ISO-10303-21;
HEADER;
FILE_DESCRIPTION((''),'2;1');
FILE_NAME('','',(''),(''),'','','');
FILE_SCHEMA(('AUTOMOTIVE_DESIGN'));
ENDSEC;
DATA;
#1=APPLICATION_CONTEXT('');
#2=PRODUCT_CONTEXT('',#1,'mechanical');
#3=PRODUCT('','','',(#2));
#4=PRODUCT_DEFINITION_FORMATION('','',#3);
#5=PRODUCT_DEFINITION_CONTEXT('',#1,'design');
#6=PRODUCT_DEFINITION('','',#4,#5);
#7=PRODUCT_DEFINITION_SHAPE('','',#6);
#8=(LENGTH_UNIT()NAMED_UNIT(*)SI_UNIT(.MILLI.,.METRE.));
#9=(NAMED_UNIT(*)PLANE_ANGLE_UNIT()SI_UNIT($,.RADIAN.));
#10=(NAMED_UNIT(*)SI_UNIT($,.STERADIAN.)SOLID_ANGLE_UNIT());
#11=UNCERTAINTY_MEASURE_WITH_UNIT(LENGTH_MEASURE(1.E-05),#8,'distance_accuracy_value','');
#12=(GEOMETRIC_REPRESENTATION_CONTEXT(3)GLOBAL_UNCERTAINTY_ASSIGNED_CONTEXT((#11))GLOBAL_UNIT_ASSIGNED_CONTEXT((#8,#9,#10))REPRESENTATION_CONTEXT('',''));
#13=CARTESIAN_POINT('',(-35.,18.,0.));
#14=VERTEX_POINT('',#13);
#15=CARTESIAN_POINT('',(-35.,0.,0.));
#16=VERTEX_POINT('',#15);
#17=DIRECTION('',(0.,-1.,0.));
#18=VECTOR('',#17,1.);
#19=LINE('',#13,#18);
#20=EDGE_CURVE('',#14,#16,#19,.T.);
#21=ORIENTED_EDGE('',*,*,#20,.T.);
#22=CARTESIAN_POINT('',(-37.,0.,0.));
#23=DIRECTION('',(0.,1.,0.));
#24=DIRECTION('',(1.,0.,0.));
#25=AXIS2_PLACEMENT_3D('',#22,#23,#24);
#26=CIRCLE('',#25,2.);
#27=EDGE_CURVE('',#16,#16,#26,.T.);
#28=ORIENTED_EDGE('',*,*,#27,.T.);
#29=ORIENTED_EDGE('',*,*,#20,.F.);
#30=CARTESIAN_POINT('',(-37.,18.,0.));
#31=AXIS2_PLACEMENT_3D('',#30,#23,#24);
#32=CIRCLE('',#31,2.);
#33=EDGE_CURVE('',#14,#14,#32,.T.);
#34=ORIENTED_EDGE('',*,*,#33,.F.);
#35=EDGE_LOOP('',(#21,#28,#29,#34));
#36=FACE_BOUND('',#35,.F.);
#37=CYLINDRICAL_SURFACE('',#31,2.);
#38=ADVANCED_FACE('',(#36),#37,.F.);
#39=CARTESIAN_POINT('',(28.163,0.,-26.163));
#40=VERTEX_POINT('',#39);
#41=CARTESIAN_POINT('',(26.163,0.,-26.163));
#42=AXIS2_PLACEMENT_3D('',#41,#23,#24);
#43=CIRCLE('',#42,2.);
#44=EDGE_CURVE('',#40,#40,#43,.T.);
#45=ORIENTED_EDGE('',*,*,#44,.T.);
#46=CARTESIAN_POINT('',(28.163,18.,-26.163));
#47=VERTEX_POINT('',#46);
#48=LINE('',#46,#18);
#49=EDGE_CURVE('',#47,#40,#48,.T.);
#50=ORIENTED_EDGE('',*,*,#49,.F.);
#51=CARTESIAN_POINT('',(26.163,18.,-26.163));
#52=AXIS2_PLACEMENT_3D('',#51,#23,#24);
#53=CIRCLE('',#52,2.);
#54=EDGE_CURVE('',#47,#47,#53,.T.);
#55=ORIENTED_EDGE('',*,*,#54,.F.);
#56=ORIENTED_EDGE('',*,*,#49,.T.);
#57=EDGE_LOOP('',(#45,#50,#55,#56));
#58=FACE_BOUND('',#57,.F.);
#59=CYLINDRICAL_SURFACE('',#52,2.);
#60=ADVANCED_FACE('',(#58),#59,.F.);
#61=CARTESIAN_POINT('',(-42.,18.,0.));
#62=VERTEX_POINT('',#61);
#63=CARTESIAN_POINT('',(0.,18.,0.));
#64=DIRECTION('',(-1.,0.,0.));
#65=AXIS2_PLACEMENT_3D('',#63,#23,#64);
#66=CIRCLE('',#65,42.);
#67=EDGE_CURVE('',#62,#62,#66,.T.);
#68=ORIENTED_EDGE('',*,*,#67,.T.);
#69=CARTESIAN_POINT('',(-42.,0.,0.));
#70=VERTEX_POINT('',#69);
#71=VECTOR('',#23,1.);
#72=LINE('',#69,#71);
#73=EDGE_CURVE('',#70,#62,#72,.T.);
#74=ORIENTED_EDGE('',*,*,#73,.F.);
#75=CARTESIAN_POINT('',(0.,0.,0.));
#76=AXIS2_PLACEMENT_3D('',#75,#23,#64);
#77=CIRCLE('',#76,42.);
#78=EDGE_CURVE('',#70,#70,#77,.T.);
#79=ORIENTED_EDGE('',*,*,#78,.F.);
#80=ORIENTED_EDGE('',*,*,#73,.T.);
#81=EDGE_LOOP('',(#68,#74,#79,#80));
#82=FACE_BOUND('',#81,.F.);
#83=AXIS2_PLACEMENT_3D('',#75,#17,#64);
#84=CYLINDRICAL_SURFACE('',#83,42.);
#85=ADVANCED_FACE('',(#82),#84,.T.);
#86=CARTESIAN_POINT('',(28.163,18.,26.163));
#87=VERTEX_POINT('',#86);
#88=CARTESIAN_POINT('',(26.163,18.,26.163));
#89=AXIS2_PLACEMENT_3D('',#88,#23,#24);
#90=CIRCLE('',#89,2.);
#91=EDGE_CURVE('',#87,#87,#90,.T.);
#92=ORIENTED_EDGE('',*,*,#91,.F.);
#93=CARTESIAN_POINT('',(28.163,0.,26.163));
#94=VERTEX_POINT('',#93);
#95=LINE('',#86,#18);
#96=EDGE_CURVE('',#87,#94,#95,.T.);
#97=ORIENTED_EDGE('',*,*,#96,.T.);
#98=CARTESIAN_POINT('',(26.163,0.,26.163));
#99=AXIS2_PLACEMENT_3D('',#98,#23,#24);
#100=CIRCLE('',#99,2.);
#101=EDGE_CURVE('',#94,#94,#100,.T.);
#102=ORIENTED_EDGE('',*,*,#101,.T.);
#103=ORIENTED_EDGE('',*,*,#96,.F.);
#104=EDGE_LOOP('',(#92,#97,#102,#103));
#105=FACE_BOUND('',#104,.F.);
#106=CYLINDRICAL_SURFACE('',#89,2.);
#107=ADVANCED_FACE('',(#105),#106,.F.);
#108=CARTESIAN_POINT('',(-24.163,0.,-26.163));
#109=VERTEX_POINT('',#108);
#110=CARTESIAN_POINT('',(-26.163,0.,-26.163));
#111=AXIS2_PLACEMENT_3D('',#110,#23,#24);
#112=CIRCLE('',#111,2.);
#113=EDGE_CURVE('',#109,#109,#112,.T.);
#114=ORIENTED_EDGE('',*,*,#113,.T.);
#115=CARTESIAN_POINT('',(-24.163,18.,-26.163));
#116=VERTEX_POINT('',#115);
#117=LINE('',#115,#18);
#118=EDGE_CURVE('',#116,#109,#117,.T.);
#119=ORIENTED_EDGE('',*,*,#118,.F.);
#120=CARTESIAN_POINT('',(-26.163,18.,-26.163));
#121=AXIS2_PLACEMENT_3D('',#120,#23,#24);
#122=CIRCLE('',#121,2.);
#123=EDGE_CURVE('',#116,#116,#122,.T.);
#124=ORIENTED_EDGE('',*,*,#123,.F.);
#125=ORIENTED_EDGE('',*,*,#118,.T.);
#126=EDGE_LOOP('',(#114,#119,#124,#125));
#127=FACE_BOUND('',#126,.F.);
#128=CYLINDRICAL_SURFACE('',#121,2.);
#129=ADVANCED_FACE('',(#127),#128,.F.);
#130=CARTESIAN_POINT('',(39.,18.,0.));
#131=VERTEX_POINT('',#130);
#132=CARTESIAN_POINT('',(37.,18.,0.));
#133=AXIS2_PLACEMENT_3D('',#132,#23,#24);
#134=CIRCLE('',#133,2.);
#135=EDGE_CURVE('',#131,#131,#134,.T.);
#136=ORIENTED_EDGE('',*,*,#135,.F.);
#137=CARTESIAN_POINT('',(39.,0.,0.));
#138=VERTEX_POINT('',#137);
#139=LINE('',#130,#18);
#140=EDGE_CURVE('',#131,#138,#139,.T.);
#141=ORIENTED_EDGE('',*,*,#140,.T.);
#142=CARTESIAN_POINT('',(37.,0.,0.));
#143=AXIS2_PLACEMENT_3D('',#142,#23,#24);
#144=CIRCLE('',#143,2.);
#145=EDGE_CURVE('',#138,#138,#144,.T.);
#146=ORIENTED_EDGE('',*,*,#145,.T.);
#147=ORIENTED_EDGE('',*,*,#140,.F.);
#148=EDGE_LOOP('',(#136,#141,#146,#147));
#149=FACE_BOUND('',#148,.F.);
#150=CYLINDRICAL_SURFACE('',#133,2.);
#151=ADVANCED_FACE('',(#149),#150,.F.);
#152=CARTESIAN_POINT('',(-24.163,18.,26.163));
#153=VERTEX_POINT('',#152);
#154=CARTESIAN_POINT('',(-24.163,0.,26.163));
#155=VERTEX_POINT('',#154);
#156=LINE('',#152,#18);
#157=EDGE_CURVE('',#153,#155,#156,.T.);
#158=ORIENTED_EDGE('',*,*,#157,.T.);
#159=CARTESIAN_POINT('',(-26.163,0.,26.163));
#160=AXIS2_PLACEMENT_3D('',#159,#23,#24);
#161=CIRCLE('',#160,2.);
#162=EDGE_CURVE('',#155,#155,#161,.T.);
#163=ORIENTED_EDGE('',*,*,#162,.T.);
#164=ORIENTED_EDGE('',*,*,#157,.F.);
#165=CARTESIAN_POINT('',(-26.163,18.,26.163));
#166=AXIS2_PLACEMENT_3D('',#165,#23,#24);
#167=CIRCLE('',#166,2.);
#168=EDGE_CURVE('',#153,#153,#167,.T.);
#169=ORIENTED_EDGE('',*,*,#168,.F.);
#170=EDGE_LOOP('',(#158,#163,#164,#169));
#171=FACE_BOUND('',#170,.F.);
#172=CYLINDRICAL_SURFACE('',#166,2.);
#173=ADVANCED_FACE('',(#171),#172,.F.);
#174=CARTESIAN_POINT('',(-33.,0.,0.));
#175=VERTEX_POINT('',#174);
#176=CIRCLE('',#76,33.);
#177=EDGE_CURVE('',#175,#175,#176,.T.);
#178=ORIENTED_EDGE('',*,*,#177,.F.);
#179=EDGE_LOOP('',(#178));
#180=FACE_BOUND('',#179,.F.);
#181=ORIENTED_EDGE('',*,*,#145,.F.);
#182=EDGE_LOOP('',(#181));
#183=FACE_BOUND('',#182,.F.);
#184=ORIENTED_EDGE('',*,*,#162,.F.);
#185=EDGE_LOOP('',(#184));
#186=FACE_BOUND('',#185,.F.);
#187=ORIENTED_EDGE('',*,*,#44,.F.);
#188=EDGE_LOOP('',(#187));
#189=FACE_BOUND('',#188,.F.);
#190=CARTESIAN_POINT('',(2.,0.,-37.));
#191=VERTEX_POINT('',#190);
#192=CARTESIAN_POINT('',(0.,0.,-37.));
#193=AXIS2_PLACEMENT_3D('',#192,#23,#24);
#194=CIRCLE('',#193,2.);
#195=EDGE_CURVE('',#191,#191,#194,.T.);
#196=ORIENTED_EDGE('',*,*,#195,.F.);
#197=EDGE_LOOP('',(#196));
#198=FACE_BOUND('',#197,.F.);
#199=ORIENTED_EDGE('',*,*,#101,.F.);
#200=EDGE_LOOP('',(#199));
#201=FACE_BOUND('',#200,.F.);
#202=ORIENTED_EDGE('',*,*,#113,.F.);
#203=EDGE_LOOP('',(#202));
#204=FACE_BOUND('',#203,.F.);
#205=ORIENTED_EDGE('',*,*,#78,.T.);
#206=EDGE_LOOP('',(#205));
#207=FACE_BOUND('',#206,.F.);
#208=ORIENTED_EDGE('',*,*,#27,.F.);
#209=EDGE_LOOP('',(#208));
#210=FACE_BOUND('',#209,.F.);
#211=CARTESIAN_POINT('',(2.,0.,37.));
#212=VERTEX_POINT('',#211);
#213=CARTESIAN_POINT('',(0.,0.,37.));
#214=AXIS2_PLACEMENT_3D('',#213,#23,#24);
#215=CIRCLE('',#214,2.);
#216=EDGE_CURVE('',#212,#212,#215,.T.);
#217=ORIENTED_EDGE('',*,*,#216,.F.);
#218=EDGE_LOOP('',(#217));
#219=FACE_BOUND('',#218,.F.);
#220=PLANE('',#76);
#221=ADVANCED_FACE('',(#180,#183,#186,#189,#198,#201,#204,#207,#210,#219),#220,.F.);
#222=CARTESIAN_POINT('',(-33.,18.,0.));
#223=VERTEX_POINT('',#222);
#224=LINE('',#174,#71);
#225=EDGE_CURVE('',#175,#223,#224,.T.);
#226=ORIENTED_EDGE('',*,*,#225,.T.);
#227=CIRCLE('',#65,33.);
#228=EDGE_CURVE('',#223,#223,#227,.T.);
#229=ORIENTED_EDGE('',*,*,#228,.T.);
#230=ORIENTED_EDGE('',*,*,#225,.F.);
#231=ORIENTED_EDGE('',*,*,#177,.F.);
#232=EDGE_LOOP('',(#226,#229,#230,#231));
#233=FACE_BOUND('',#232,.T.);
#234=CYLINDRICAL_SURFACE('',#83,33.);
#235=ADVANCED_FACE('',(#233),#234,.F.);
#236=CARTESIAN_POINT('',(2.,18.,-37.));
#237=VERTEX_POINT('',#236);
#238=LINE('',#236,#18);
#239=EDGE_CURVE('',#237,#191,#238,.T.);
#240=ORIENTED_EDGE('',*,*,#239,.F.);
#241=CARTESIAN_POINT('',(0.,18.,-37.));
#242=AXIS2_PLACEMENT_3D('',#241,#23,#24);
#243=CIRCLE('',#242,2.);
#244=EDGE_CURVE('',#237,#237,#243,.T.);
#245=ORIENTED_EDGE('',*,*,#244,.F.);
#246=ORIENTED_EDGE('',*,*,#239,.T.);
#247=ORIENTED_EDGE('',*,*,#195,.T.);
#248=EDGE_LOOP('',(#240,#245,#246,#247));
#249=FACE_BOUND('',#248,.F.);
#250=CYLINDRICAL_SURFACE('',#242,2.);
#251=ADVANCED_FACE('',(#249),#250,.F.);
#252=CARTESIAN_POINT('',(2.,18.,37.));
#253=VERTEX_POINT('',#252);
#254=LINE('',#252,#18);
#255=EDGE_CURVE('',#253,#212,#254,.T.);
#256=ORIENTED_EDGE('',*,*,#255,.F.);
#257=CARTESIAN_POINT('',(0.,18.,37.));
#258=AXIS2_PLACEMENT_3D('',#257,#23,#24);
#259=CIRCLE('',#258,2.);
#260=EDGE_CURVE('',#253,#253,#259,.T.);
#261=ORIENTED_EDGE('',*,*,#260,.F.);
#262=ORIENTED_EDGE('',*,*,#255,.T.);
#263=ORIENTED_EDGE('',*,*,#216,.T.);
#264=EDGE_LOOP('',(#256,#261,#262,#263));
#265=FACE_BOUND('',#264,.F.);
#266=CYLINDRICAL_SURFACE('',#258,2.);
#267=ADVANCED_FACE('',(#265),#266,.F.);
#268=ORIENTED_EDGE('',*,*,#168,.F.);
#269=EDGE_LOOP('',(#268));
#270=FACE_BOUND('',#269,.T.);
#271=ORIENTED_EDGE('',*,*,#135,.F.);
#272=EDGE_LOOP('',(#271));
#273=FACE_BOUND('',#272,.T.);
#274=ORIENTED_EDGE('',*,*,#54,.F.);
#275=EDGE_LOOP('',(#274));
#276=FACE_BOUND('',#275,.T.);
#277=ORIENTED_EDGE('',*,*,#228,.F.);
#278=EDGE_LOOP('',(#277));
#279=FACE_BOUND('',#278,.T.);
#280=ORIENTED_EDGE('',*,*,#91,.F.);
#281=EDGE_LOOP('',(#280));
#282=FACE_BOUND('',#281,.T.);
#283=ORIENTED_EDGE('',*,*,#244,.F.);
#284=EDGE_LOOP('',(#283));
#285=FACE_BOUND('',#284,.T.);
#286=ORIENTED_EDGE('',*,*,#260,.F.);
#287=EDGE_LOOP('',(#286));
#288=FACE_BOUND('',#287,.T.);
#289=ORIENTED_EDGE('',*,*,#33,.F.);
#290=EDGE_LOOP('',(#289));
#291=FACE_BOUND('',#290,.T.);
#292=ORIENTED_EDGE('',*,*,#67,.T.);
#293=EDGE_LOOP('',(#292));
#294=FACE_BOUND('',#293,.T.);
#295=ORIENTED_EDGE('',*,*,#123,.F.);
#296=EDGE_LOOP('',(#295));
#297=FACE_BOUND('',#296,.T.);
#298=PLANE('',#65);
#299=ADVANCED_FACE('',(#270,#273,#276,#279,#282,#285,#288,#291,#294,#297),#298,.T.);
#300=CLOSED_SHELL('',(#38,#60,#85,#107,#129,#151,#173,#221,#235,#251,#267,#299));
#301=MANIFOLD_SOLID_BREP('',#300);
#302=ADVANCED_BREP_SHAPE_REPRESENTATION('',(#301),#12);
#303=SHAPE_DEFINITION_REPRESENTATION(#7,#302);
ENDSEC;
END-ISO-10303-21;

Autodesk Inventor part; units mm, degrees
ref_plane "YZ Plane" through (0, 0, 0) normal (1, 0, 0) x (0, 1, 0)
ref_plane "XZ Plane" through (0, 0, 0) normal (0, 1, 0) x (-1, 0, 0)
ref_plane "XY Plane" through (0, 0, 0) normal (0, 0, 1) x (1, 0, 0)
sketch "Sketch1" plane through (0, 0, 0) normal (0, 1, 0) x (-1, 0, 0)
  circle A0 centre (0, 0) radius 33
  circle A1 centre (0, 0) radius 42
  dimension "d0" = 66
  dimension "d1" = 84
extrude "Extrusion1" add sketch "Sketch1" along normal blind 18
sketch "Sketch2" plane through (0, 18, 0) normal (0, 1, 0) x (1, 0, 0)
  circle A0 centre (0, 37) radius 2
  circle A1 centre (-26.163, 26.163) radius 2
  circle A2 centre (-37, 0) radius 2
  circle A3 centre (-26.163, -26.163) radius 2
  circle A4 centre (0, -37) radius 2
  circle A5 centre (26.163, -26.163) radius 2
  circle A6 centre (37, 0) radius 2
  circle A7 centre (26.163, 26.163) radius 2
  point P0 (0, 0)
  dimension "d4" = 4
  dimension "d5" = 37
  dimension "d8" = 360
extrude "Extrusion2" cut sketch "Sketch2" against normal up to surface (18 mm away)
properties part number "Gearbox_MainBody" material "PC/ABS Plastic"
